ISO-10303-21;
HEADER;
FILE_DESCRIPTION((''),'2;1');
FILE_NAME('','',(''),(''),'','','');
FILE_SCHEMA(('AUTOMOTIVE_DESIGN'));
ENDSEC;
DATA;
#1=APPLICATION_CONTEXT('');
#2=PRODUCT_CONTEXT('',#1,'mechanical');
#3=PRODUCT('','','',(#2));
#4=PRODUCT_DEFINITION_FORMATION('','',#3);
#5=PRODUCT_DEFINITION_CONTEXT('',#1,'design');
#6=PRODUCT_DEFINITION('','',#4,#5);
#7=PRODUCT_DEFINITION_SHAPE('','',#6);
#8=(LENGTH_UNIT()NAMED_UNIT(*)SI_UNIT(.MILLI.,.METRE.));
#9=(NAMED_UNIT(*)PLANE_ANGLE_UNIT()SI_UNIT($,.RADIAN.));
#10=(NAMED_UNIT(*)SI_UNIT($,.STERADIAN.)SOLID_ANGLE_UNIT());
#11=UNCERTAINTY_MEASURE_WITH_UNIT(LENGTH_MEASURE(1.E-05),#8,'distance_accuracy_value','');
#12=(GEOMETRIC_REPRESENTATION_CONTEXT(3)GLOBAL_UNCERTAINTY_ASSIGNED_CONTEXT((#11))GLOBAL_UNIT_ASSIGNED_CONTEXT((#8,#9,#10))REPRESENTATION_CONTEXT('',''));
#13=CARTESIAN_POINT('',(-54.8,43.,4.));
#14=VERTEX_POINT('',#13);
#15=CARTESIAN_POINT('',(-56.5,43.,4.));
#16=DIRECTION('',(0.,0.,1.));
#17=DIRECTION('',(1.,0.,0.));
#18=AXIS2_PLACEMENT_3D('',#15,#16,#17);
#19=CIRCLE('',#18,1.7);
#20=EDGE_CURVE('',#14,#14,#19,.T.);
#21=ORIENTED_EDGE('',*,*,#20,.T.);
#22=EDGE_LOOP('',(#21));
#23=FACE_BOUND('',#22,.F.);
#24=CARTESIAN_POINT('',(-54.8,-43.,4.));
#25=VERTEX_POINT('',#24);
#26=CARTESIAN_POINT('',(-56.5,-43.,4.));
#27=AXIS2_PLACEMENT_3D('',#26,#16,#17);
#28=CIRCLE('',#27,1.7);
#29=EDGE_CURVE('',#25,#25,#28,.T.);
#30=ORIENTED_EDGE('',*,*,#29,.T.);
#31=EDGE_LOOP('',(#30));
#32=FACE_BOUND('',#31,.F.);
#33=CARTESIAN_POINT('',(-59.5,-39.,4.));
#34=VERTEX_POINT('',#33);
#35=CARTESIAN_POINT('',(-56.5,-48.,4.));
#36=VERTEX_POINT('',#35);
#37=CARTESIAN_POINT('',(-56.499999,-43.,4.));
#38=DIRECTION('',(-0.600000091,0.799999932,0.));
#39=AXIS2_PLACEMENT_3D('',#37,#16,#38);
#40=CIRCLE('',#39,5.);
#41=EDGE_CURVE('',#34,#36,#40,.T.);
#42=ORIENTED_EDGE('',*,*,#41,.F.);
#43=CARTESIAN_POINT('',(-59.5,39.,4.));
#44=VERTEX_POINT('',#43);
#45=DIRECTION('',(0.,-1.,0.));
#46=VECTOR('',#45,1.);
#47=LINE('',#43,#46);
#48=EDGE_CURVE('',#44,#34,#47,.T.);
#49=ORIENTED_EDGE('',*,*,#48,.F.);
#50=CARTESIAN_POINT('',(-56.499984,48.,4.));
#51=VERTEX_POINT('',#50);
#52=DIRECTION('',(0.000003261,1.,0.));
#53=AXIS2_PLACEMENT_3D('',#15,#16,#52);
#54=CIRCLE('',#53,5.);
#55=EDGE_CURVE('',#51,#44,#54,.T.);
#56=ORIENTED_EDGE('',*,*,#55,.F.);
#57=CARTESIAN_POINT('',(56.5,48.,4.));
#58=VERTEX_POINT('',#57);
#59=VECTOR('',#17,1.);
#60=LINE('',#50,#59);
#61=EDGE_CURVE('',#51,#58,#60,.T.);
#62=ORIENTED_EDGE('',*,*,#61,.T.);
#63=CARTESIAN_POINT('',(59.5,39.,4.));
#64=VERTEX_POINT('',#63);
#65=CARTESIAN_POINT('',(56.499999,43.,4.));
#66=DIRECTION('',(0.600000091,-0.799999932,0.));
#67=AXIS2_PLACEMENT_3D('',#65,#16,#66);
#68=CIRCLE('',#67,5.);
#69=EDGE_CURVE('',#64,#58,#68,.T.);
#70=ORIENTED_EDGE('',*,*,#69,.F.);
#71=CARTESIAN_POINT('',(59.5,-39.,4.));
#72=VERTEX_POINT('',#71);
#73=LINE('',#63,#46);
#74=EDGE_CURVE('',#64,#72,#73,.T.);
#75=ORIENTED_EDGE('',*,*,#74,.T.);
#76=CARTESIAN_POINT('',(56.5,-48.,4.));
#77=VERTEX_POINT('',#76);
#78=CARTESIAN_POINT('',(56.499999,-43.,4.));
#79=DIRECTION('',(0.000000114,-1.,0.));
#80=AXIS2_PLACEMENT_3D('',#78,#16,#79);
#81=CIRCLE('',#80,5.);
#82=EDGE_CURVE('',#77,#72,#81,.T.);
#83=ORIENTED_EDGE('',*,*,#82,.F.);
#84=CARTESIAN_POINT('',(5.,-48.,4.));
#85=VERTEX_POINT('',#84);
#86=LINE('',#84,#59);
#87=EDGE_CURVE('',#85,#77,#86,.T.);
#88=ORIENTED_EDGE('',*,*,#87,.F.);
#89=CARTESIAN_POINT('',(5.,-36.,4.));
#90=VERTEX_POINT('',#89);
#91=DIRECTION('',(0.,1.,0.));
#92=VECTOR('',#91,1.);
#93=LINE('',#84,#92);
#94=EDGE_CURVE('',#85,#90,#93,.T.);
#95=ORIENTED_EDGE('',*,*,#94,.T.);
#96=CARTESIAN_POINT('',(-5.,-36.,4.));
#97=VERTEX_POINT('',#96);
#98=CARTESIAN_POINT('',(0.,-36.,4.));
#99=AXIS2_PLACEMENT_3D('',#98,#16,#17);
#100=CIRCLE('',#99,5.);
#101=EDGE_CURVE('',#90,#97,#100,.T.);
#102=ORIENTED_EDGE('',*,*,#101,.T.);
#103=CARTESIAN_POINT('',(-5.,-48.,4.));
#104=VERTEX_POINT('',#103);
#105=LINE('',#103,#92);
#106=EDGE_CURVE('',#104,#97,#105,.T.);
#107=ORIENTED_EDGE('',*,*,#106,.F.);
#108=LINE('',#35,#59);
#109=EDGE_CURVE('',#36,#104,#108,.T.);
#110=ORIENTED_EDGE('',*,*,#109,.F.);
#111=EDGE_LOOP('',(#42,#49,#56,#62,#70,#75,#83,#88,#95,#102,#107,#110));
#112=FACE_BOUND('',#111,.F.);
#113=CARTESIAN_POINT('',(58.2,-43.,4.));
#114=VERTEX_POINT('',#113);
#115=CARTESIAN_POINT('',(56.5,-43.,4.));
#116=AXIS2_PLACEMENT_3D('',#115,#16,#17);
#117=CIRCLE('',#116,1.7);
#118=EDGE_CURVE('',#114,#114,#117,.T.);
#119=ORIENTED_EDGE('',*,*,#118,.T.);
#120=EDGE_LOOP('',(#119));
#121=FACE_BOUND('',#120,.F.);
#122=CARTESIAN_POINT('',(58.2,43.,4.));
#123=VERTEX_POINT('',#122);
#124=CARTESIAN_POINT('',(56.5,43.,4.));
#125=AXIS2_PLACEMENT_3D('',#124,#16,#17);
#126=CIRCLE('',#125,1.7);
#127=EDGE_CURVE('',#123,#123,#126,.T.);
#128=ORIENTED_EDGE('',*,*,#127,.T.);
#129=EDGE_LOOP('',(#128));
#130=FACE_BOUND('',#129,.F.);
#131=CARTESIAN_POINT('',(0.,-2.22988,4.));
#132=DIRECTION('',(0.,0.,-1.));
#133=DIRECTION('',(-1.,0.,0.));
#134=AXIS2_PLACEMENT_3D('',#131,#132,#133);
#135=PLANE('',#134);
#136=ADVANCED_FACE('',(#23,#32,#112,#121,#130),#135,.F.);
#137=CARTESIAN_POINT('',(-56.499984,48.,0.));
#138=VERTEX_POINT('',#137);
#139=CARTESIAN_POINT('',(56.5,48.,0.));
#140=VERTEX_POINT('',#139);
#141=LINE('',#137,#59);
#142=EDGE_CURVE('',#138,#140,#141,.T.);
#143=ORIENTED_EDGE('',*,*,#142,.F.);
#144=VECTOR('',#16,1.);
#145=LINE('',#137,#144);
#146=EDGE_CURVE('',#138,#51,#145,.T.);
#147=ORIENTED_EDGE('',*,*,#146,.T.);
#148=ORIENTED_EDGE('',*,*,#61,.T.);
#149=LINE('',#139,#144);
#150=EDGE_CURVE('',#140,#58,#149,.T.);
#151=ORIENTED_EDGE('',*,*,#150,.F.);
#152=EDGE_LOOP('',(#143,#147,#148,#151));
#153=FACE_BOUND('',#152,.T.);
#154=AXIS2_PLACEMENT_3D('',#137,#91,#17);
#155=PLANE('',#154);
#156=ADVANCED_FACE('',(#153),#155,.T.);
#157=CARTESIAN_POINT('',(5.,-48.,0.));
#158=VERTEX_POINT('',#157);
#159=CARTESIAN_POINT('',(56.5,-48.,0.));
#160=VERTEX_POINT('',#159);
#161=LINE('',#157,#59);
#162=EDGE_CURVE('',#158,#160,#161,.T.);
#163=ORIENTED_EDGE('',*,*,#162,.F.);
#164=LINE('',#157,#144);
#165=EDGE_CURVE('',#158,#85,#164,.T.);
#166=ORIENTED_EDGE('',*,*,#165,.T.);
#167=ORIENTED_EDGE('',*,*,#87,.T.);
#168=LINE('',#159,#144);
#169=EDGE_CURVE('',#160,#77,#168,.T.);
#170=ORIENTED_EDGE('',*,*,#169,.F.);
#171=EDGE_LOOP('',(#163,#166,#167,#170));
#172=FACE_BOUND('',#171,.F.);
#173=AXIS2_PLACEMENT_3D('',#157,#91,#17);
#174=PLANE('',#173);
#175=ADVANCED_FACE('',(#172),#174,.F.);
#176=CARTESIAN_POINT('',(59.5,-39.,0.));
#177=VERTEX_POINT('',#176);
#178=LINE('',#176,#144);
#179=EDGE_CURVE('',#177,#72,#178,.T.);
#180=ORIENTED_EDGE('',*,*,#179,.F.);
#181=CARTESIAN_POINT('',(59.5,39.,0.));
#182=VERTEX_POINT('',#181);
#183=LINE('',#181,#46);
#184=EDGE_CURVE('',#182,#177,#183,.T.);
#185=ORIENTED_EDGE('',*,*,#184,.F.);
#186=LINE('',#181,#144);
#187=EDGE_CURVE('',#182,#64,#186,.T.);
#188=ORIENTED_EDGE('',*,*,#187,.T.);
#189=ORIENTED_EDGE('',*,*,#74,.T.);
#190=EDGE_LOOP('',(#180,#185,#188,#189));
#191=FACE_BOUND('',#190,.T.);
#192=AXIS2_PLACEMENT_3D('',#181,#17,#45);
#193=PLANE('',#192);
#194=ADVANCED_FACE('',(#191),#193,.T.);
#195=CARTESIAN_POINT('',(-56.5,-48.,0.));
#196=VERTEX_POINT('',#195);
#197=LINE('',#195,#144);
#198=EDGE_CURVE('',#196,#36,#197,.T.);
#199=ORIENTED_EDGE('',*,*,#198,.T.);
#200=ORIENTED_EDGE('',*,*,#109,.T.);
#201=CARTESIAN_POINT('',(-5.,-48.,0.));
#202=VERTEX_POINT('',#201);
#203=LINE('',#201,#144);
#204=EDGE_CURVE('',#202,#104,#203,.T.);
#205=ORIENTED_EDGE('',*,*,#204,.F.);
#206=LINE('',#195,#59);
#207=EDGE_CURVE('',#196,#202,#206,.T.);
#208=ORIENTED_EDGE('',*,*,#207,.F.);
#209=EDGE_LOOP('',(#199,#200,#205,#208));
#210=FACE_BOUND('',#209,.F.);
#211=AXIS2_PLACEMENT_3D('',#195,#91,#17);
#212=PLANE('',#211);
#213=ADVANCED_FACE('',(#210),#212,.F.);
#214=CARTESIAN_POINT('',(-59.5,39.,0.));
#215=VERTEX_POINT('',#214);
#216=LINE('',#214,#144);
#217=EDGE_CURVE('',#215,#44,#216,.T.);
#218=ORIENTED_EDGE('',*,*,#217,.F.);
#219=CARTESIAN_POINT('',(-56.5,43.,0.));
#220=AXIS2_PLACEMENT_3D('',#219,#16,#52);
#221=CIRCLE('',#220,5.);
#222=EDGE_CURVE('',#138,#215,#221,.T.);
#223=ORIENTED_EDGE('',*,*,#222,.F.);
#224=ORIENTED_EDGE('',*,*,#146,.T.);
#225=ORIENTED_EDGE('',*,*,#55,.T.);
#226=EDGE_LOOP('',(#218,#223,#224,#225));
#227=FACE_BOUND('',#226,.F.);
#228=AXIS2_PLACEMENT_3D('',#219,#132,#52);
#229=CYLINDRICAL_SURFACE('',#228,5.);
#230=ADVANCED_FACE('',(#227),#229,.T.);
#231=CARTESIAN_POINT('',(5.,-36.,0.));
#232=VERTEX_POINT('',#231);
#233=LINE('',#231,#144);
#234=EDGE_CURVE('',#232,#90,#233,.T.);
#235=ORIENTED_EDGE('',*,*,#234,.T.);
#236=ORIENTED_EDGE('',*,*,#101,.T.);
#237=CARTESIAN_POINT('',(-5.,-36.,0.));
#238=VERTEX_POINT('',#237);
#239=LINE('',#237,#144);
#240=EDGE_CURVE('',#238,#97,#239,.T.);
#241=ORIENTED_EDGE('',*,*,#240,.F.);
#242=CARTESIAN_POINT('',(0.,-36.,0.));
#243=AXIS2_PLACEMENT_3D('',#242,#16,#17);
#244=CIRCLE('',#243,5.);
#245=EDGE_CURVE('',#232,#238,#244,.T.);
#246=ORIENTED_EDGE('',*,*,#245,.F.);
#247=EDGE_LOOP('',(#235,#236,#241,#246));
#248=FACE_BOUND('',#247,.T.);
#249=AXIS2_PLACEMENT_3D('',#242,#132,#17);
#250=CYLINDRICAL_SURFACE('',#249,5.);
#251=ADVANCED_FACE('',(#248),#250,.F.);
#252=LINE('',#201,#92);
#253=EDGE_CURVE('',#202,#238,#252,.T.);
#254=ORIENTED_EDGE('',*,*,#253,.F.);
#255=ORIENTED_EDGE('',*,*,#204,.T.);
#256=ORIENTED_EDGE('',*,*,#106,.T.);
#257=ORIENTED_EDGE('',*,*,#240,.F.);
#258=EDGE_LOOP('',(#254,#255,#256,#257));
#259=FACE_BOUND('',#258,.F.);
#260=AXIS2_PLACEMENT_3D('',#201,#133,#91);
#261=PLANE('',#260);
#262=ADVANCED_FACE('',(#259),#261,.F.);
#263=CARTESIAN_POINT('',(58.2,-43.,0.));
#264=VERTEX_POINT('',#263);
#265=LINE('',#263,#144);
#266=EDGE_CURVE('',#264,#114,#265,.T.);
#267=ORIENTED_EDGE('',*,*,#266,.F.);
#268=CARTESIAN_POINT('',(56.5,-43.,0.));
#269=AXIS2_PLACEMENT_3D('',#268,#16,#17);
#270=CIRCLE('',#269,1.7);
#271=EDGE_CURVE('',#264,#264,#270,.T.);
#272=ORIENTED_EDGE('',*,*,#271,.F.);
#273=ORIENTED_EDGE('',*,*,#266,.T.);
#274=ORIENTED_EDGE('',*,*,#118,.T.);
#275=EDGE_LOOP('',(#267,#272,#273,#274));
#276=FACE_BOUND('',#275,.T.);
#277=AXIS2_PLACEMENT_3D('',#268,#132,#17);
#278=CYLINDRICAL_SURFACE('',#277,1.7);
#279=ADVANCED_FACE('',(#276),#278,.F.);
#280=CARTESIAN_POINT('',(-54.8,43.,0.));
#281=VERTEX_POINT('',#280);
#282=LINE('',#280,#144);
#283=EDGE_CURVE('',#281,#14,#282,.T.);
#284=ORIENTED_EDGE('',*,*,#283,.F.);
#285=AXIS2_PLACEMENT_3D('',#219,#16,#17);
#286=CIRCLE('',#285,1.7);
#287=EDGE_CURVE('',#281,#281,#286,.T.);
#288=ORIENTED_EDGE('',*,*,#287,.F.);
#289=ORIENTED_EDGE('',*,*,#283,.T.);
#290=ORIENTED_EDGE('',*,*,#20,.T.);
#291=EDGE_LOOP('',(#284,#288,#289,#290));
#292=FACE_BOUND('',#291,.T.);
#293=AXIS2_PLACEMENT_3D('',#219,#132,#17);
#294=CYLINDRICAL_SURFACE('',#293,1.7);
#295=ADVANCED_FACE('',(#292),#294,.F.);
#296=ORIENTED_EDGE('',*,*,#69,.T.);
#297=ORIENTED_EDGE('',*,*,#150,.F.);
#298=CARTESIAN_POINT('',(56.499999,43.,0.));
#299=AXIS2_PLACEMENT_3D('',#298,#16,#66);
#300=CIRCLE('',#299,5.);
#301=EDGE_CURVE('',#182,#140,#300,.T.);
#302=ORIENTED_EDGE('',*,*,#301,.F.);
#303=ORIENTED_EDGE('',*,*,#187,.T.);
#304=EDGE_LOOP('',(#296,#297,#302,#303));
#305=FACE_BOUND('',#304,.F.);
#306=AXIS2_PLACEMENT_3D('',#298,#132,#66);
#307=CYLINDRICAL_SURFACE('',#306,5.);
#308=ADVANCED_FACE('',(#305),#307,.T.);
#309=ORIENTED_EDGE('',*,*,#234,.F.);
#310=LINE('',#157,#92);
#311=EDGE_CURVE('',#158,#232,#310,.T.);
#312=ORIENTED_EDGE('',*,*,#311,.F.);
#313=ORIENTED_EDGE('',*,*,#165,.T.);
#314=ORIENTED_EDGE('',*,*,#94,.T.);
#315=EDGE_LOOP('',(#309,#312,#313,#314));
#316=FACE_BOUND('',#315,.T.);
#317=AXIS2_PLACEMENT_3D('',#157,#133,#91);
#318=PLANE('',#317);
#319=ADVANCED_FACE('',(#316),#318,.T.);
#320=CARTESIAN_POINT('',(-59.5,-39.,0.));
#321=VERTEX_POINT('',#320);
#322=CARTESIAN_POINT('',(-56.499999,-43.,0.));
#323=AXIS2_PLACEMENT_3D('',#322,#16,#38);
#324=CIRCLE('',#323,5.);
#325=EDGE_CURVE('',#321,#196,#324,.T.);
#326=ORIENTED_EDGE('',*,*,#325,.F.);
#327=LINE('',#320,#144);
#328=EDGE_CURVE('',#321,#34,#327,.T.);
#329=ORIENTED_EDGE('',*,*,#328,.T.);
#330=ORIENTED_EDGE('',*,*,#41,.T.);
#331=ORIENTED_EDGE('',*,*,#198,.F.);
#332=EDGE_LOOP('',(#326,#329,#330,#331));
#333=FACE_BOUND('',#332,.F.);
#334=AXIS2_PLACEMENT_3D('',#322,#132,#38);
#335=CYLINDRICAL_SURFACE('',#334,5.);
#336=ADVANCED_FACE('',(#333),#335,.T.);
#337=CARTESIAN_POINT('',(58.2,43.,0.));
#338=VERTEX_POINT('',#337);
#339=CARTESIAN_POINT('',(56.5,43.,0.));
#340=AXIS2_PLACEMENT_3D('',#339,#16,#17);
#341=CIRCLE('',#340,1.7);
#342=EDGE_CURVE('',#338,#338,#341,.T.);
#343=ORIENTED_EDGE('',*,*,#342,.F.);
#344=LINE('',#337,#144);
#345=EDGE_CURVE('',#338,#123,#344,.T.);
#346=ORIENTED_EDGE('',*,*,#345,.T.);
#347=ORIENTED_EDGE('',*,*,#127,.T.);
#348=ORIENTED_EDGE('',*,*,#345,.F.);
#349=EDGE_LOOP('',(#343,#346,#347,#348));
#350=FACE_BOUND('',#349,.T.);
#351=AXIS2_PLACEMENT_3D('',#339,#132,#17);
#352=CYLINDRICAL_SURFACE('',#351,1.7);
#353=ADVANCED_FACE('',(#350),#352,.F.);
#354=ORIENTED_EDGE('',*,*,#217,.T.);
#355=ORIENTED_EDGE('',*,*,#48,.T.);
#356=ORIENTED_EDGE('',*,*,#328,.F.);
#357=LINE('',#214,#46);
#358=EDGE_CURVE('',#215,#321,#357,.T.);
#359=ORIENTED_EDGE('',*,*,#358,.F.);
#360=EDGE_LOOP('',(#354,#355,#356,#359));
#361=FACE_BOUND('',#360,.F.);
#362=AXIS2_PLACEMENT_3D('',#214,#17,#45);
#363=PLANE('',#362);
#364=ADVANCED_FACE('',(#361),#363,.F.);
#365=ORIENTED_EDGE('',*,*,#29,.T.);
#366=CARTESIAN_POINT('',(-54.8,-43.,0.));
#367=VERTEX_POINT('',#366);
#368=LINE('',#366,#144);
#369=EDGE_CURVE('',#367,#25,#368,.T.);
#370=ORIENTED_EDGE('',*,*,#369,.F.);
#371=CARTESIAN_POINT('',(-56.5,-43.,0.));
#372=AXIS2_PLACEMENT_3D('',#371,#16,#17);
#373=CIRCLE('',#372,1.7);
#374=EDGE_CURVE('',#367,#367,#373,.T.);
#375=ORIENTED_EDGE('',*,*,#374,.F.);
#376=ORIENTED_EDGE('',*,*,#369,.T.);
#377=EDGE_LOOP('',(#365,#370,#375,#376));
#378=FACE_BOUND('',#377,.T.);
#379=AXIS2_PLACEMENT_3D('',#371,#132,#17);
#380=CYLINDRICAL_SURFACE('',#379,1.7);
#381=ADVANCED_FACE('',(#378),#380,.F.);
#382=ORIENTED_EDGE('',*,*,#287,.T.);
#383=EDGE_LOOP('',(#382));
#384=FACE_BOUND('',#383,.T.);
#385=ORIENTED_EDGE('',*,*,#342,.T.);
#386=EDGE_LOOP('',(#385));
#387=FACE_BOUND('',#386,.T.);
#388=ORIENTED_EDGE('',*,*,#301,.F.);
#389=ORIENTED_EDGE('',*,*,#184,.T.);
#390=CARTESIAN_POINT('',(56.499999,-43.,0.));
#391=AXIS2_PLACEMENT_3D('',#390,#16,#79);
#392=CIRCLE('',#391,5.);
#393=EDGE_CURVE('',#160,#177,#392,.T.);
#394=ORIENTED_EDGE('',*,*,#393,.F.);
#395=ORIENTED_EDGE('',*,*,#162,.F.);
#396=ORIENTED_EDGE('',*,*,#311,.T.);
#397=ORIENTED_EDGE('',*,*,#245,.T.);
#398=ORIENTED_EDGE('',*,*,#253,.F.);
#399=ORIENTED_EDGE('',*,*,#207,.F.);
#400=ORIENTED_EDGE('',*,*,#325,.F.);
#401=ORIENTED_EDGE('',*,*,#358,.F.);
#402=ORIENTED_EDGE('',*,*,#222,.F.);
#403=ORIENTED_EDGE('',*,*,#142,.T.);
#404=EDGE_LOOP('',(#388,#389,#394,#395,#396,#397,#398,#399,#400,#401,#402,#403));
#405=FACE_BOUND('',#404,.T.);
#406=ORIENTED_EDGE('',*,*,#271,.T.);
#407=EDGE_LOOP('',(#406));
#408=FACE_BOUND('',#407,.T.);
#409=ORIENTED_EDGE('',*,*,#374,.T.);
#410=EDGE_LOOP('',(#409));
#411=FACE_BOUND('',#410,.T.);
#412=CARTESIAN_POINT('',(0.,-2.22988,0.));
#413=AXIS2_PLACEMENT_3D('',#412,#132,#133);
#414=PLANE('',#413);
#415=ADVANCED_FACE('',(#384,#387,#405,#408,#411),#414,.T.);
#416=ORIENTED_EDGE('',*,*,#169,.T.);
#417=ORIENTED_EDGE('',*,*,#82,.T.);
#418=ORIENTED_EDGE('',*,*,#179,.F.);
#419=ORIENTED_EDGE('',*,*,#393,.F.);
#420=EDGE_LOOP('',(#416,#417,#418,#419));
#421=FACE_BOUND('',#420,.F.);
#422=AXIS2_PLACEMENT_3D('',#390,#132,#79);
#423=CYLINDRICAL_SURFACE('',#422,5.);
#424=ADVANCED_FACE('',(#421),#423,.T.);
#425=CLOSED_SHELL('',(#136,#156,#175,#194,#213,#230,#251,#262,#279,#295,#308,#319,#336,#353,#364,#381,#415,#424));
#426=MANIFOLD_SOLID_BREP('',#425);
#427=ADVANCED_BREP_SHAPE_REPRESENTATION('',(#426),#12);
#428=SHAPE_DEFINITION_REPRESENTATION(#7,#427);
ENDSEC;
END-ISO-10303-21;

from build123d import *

# Parameters (mm, degrees)
SKETCH_R  = 1.7
PAD_DEPTH = 4


with BuildPart() as part:
    # Sketch → Pad (new body)
    with BuildSketch(Plane.XY):
        with BuildLine():
            Line((-56.499984, 48), (56.5, 48))
            ThreePointArc((59.5, 39), (61.243416, 44.581139), (56.5, 48))
            Line((59.5, 39), (59.5, -39))
            ThreePointArc((56.5, -48), (61.243416, -44.581139), (59.5, -39))
            Line((5, -48), (56.5, -48))
            Line((5, -48), (5, -36))
            ThreePointArc((5, -36), (0, -31), (-5, -36))
            Line((-5, -48), (-5, -36))
            Line((-56.5, -48), (-5, -48))
            ThreePointArc((-59.5, -39), (-61.243416, -44.581139), (-56.5, -48))
            Line((-59.5, 39), (-59.5, -39))
            ThreePointArc((-56.499984, 48), (-61.243414, 44.581147), (-59.5, 39))
        make_face()
        with Locations((-56.5, 43)):
            Circle(SKETCH_R, mode=Mode.SUBTRACT)
        with Locations((56.5, 43)):
            Circle(SKETCH_R, mode=Mode.SUBTRACT)
        with Locations((-56.5, -43)):
            Circle(SKETCH_R, mode=Mode.SUBTRACT)
        with Locations((56.5, -43)):
            Circle(SKETCH_R, mode=Mode.SUBTRACT)
    extrude(amount=PAD_DEPTH)


solid = part.part
